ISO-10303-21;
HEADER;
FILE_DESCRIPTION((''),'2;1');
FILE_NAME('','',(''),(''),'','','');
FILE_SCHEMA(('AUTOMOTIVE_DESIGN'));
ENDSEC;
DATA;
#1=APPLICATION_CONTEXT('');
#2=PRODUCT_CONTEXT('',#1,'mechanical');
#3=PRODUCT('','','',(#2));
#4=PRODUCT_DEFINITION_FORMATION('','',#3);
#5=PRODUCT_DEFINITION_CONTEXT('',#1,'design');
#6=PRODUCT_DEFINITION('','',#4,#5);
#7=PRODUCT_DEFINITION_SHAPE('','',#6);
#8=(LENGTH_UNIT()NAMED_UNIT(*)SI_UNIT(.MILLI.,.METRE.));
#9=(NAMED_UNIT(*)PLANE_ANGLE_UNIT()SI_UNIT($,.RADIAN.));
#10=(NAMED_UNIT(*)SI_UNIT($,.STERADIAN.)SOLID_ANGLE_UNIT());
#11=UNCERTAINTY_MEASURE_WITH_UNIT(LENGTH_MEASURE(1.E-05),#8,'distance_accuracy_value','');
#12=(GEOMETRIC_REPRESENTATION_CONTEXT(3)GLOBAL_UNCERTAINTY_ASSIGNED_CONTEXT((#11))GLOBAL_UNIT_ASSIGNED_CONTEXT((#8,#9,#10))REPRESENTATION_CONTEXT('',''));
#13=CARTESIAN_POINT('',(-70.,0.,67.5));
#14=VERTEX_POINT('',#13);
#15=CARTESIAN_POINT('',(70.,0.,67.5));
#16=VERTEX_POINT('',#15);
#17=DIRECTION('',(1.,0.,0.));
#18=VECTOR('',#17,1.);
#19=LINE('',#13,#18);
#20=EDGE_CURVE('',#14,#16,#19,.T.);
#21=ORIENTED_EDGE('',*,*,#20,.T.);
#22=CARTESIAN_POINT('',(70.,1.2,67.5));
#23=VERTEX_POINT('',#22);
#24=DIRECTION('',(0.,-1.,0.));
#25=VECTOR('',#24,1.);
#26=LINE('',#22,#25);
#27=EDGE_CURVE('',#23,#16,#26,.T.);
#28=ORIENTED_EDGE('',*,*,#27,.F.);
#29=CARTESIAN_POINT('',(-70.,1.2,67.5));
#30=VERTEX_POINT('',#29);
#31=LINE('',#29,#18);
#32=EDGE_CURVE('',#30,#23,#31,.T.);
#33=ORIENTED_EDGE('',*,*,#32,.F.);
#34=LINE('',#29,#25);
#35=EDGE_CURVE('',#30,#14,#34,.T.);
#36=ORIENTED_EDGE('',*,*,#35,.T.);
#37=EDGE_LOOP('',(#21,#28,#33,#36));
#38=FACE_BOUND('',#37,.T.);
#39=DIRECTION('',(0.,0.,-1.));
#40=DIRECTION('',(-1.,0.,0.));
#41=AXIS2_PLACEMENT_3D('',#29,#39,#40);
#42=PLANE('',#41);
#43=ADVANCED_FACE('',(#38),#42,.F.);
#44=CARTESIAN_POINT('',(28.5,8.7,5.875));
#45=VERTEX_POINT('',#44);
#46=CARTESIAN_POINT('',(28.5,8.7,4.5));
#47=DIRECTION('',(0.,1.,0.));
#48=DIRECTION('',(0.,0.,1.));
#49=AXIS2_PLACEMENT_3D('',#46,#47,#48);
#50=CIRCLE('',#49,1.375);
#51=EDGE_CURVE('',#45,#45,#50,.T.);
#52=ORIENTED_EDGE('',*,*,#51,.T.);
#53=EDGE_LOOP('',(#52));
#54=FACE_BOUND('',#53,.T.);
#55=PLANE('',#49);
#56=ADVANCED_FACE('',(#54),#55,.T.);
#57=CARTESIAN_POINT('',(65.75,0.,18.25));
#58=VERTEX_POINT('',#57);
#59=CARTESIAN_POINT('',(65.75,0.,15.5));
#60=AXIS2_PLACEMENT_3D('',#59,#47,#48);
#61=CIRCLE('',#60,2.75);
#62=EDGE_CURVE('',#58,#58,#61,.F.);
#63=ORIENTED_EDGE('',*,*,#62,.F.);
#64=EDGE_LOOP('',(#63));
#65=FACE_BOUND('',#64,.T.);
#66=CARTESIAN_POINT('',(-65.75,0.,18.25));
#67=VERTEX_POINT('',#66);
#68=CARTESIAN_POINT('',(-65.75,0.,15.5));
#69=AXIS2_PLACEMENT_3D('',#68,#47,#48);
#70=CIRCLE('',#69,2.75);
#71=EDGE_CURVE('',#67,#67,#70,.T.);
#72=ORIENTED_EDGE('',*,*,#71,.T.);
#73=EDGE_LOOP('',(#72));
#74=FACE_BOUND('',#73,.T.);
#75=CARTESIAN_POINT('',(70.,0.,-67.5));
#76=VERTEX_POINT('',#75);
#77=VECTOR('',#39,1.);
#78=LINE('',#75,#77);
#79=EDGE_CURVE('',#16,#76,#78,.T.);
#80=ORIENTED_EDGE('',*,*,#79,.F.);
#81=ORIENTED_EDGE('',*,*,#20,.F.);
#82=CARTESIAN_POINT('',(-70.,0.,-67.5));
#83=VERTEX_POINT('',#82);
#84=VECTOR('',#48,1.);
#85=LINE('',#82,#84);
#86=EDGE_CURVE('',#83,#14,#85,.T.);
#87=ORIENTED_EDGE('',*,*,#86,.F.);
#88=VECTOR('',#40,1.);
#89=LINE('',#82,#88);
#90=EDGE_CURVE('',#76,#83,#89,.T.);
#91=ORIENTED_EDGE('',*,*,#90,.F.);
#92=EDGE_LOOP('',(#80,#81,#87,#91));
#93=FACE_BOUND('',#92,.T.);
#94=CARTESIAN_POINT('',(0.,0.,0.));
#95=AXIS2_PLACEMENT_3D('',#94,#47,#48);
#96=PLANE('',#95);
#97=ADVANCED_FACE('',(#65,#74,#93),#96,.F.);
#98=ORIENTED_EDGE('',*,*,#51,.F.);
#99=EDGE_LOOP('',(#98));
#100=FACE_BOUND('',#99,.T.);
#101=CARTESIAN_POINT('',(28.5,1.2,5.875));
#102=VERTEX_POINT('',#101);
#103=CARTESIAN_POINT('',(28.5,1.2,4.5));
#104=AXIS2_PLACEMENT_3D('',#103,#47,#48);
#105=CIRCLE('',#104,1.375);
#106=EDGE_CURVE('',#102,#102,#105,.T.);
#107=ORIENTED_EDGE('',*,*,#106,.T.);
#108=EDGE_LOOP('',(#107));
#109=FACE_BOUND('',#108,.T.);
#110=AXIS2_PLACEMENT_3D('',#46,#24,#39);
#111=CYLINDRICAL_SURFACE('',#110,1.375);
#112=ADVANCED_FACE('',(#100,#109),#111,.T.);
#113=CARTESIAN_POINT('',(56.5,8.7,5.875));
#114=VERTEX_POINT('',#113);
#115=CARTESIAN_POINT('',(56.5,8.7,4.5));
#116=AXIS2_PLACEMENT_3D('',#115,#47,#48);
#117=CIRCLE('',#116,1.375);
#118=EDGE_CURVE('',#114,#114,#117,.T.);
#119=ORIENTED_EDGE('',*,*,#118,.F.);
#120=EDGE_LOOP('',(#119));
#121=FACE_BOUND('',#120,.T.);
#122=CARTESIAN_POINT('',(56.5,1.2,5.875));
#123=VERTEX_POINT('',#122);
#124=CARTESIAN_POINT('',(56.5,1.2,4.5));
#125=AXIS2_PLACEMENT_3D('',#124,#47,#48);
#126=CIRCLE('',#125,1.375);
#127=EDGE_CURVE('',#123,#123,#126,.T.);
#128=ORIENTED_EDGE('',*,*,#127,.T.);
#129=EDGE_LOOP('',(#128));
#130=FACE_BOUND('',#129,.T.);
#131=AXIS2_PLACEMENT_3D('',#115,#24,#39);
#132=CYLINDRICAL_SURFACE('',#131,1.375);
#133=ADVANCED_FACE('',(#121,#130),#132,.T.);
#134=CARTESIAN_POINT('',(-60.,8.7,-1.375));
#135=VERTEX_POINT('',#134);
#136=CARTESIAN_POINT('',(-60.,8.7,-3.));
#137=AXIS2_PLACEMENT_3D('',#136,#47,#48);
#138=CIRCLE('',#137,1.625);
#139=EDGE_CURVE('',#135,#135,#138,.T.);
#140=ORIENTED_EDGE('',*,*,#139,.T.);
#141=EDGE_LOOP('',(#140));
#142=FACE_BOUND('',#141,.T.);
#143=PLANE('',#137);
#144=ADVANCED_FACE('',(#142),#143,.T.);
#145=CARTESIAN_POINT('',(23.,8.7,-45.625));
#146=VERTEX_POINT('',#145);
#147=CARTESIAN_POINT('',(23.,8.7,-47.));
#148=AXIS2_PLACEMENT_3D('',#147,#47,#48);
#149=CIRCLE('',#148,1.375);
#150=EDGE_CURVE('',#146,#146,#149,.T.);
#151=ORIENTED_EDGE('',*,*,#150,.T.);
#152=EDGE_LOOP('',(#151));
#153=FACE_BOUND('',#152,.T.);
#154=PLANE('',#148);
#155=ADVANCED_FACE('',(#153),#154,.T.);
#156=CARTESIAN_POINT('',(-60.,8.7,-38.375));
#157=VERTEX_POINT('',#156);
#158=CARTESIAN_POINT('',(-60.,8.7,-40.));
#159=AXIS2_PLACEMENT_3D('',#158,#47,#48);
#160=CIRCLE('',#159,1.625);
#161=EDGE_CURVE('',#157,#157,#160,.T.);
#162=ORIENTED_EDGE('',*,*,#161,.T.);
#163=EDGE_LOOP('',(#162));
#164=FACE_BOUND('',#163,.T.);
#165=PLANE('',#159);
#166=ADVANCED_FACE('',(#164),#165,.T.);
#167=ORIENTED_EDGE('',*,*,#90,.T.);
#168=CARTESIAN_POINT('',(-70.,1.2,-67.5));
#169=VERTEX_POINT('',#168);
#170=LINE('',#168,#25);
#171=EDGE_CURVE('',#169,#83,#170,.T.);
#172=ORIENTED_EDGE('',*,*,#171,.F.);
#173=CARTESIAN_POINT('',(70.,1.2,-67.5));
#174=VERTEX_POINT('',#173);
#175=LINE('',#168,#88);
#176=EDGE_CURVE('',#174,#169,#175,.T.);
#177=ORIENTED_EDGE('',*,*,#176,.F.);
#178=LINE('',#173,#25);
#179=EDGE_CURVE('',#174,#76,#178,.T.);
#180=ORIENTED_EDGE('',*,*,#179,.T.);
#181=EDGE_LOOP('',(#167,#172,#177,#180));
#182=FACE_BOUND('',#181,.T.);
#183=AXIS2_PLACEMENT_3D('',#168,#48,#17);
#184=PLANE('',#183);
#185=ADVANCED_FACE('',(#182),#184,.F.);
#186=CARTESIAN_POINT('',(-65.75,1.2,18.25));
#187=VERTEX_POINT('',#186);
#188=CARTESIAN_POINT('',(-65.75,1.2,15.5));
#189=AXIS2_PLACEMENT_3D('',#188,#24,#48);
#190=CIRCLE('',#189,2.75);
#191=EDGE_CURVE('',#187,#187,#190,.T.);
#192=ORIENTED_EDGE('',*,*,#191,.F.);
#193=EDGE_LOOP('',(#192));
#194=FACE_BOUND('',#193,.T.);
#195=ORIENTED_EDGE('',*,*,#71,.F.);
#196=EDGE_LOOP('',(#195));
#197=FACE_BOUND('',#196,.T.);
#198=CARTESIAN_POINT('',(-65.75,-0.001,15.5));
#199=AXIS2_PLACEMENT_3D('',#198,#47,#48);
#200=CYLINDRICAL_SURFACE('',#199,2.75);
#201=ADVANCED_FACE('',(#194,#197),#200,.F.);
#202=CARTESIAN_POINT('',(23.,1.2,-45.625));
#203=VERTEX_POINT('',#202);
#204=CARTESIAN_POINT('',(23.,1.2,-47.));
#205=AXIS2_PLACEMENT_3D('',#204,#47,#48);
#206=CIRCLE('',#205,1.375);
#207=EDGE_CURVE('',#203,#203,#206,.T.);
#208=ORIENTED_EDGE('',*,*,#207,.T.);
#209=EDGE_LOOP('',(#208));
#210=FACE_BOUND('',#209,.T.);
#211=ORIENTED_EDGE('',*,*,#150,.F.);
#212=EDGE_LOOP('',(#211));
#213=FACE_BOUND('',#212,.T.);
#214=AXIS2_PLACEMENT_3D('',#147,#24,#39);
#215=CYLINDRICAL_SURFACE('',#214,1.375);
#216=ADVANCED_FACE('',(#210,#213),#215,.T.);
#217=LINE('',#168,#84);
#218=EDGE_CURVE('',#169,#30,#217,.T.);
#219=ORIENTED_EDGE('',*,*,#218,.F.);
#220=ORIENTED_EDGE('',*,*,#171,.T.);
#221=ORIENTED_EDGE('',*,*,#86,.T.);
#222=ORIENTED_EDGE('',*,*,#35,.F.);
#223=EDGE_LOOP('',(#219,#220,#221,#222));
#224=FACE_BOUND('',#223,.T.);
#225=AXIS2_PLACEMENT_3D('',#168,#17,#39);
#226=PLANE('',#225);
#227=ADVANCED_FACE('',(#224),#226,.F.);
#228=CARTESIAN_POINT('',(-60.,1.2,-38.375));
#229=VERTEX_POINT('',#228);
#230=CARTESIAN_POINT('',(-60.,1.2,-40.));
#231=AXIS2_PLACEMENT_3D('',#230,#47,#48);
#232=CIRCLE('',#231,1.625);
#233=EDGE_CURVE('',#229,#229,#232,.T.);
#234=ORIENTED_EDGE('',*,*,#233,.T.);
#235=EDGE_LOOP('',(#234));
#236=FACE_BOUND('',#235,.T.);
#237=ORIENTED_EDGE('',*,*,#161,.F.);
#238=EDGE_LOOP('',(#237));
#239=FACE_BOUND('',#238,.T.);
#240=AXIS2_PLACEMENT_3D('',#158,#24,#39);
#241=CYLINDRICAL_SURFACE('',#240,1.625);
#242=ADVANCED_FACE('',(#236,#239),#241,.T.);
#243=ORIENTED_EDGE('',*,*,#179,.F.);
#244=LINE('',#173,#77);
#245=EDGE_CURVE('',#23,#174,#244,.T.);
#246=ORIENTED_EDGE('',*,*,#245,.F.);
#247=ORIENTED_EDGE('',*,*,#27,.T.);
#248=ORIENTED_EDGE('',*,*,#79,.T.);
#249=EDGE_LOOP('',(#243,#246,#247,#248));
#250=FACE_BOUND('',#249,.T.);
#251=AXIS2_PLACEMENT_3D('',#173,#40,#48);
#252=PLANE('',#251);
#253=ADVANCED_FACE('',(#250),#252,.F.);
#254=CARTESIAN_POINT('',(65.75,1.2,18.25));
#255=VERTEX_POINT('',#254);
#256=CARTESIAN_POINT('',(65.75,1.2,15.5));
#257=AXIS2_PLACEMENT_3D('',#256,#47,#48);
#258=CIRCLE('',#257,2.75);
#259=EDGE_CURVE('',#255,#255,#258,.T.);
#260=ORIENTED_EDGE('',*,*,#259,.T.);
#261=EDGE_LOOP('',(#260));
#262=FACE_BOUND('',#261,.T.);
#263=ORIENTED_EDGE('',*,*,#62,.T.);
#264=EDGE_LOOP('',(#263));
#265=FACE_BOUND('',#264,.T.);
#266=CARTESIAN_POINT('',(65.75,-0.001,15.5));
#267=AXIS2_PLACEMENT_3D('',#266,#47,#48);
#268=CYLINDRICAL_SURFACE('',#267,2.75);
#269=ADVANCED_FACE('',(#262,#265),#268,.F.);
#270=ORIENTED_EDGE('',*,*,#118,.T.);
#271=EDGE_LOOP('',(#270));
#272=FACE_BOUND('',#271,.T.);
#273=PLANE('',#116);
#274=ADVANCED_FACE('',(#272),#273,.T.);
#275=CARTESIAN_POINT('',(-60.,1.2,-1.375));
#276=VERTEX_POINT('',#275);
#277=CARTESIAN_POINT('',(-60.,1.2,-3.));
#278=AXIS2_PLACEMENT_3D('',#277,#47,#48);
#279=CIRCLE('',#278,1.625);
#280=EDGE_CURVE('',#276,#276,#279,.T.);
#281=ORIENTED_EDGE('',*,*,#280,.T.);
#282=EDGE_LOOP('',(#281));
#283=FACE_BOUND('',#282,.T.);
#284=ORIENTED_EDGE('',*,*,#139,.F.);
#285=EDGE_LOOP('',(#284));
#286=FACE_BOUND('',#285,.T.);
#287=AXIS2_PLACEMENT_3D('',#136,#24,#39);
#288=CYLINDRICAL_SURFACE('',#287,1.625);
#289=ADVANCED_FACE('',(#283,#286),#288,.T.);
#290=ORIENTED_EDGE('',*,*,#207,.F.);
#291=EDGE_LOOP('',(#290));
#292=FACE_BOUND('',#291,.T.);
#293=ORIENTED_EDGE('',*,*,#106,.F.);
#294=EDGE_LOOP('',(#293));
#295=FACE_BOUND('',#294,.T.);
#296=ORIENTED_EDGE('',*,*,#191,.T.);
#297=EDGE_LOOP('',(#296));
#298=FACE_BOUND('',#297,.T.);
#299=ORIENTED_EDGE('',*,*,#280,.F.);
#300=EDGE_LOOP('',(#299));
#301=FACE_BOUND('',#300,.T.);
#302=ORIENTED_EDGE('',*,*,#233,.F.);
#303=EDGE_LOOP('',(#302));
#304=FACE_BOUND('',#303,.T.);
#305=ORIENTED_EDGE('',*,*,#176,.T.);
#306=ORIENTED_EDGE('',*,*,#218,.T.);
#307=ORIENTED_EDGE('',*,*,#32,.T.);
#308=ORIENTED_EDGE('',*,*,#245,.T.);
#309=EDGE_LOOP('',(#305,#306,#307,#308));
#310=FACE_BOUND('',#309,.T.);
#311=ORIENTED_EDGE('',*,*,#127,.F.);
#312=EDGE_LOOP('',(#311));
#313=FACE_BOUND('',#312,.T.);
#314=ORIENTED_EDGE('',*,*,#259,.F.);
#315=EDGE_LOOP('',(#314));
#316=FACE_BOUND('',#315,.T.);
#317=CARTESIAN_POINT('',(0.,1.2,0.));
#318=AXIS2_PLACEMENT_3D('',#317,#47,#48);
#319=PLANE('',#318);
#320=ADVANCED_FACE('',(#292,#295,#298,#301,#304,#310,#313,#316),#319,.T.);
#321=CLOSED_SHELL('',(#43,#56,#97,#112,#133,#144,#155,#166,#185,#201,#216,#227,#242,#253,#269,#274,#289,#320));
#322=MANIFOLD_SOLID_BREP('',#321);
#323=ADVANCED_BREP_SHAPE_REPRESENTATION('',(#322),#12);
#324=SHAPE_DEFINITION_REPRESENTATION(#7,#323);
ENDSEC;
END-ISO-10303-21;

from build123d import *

# Parameters (mm, degrees)
SKETCH1_W           = 140
SKETCH1_H           = 135
BOSS_EXTRUDE1_DEPTH = 1.2
CUT_EXTRUDE1_REACH  = 99.251
SKETCH2_R           = 2.75
SKETCH3_R           = 1.625
BOSS_EXTRUDE2_DEPTH = 7.5
SKETCH4_R           = 1.375
BOSS_EXTRUDE3_DEPTH = 7.5


with BuildPart() as part:
    # Sketch1 → Boss-Extrude1 (new body)
    with BuildSketch(Plane(origin=(0, 0, 0), x_dir=(1, 0, 0), z_dir=(0, 1, 0))):
        Rectangle(SKETCH1_W, SKETCH1_H)
    extrude(amount=BOSS_EXTRUDE1_DEPTH)

    # Sketch2 → Cut-Extrude1 (cut, up to next)
    with BuildSketch(Plane(origin=(0, 1.2, 0), x_dir=(1, 0, 0), z_dir=(0, 1, 0)), mode=Mode.PRIVATE) as cut_extrude1_sk1:
        with Locations(Location((65.75, -15.5, 0), (0, 0, 270))):
            Circle(SKETCH2_R)
    cut_extrude1_tool1 = extrude(cut_extrude1_sk1.sketch, amount=-CUT_EXTRUDE1_REACH, mode=Mode.PRIVATE) & part.part
    cut_extrude1 = cut_extrude1_tool1.solids().sort_by_distance((65.75, 1.2, 15.5))[0]
    add(cut_extrude1, mode=Mode.SUBTRACT)

    # Mirror1: Cut-Extrude1 across plane
    add(cut_extrude1.mirror(Plane(origin=(0, 0, 0), x_dir=(0, 0, 1), z_dir=(1, 0, 0))), mode=Mode.SUBTRACT)

    # Sketch3 → Boss-Extrude2 (add)
    with BuildSketch(Plane(origin=(0, 1.2, 0), x_dir=(1, 0, 0), z_dir=(0, 1, 0))):
        with Locations(Location((-60, 40, 0), (0, 0, 270))):
            Circle(SKETCH3_R)
        with Locations(Location((-60, 3, 0), (0, 0, 270))):
            Circle(SKETCH3_R)
    extrude(amount=BOSS_EXTRUDE2_DEPTH)

    # Sketch4 → Boss-Extrude3 (add)
    with BuildSketch(Plane(origin=(0, 1.2, 0), x_dir=(1, 0, 0), z_dir=(0, 1, 0))):
        with Locations(Location((56.5, -4.5, 0), (0, 0, 270))):
            Circle(SKETCH4_R)
        with Locations(Location((28.5, -4.5, 0), (0, 0, 270))):
            Circle(SKETCH4_R)
        with Locations(Location((23, 47, 0), (0, 0, 270))):
            Circle(SKETCH4_R)
    extrude(amount=BOSS_EXTRUDE3_DEPTH)


solid = part.part
